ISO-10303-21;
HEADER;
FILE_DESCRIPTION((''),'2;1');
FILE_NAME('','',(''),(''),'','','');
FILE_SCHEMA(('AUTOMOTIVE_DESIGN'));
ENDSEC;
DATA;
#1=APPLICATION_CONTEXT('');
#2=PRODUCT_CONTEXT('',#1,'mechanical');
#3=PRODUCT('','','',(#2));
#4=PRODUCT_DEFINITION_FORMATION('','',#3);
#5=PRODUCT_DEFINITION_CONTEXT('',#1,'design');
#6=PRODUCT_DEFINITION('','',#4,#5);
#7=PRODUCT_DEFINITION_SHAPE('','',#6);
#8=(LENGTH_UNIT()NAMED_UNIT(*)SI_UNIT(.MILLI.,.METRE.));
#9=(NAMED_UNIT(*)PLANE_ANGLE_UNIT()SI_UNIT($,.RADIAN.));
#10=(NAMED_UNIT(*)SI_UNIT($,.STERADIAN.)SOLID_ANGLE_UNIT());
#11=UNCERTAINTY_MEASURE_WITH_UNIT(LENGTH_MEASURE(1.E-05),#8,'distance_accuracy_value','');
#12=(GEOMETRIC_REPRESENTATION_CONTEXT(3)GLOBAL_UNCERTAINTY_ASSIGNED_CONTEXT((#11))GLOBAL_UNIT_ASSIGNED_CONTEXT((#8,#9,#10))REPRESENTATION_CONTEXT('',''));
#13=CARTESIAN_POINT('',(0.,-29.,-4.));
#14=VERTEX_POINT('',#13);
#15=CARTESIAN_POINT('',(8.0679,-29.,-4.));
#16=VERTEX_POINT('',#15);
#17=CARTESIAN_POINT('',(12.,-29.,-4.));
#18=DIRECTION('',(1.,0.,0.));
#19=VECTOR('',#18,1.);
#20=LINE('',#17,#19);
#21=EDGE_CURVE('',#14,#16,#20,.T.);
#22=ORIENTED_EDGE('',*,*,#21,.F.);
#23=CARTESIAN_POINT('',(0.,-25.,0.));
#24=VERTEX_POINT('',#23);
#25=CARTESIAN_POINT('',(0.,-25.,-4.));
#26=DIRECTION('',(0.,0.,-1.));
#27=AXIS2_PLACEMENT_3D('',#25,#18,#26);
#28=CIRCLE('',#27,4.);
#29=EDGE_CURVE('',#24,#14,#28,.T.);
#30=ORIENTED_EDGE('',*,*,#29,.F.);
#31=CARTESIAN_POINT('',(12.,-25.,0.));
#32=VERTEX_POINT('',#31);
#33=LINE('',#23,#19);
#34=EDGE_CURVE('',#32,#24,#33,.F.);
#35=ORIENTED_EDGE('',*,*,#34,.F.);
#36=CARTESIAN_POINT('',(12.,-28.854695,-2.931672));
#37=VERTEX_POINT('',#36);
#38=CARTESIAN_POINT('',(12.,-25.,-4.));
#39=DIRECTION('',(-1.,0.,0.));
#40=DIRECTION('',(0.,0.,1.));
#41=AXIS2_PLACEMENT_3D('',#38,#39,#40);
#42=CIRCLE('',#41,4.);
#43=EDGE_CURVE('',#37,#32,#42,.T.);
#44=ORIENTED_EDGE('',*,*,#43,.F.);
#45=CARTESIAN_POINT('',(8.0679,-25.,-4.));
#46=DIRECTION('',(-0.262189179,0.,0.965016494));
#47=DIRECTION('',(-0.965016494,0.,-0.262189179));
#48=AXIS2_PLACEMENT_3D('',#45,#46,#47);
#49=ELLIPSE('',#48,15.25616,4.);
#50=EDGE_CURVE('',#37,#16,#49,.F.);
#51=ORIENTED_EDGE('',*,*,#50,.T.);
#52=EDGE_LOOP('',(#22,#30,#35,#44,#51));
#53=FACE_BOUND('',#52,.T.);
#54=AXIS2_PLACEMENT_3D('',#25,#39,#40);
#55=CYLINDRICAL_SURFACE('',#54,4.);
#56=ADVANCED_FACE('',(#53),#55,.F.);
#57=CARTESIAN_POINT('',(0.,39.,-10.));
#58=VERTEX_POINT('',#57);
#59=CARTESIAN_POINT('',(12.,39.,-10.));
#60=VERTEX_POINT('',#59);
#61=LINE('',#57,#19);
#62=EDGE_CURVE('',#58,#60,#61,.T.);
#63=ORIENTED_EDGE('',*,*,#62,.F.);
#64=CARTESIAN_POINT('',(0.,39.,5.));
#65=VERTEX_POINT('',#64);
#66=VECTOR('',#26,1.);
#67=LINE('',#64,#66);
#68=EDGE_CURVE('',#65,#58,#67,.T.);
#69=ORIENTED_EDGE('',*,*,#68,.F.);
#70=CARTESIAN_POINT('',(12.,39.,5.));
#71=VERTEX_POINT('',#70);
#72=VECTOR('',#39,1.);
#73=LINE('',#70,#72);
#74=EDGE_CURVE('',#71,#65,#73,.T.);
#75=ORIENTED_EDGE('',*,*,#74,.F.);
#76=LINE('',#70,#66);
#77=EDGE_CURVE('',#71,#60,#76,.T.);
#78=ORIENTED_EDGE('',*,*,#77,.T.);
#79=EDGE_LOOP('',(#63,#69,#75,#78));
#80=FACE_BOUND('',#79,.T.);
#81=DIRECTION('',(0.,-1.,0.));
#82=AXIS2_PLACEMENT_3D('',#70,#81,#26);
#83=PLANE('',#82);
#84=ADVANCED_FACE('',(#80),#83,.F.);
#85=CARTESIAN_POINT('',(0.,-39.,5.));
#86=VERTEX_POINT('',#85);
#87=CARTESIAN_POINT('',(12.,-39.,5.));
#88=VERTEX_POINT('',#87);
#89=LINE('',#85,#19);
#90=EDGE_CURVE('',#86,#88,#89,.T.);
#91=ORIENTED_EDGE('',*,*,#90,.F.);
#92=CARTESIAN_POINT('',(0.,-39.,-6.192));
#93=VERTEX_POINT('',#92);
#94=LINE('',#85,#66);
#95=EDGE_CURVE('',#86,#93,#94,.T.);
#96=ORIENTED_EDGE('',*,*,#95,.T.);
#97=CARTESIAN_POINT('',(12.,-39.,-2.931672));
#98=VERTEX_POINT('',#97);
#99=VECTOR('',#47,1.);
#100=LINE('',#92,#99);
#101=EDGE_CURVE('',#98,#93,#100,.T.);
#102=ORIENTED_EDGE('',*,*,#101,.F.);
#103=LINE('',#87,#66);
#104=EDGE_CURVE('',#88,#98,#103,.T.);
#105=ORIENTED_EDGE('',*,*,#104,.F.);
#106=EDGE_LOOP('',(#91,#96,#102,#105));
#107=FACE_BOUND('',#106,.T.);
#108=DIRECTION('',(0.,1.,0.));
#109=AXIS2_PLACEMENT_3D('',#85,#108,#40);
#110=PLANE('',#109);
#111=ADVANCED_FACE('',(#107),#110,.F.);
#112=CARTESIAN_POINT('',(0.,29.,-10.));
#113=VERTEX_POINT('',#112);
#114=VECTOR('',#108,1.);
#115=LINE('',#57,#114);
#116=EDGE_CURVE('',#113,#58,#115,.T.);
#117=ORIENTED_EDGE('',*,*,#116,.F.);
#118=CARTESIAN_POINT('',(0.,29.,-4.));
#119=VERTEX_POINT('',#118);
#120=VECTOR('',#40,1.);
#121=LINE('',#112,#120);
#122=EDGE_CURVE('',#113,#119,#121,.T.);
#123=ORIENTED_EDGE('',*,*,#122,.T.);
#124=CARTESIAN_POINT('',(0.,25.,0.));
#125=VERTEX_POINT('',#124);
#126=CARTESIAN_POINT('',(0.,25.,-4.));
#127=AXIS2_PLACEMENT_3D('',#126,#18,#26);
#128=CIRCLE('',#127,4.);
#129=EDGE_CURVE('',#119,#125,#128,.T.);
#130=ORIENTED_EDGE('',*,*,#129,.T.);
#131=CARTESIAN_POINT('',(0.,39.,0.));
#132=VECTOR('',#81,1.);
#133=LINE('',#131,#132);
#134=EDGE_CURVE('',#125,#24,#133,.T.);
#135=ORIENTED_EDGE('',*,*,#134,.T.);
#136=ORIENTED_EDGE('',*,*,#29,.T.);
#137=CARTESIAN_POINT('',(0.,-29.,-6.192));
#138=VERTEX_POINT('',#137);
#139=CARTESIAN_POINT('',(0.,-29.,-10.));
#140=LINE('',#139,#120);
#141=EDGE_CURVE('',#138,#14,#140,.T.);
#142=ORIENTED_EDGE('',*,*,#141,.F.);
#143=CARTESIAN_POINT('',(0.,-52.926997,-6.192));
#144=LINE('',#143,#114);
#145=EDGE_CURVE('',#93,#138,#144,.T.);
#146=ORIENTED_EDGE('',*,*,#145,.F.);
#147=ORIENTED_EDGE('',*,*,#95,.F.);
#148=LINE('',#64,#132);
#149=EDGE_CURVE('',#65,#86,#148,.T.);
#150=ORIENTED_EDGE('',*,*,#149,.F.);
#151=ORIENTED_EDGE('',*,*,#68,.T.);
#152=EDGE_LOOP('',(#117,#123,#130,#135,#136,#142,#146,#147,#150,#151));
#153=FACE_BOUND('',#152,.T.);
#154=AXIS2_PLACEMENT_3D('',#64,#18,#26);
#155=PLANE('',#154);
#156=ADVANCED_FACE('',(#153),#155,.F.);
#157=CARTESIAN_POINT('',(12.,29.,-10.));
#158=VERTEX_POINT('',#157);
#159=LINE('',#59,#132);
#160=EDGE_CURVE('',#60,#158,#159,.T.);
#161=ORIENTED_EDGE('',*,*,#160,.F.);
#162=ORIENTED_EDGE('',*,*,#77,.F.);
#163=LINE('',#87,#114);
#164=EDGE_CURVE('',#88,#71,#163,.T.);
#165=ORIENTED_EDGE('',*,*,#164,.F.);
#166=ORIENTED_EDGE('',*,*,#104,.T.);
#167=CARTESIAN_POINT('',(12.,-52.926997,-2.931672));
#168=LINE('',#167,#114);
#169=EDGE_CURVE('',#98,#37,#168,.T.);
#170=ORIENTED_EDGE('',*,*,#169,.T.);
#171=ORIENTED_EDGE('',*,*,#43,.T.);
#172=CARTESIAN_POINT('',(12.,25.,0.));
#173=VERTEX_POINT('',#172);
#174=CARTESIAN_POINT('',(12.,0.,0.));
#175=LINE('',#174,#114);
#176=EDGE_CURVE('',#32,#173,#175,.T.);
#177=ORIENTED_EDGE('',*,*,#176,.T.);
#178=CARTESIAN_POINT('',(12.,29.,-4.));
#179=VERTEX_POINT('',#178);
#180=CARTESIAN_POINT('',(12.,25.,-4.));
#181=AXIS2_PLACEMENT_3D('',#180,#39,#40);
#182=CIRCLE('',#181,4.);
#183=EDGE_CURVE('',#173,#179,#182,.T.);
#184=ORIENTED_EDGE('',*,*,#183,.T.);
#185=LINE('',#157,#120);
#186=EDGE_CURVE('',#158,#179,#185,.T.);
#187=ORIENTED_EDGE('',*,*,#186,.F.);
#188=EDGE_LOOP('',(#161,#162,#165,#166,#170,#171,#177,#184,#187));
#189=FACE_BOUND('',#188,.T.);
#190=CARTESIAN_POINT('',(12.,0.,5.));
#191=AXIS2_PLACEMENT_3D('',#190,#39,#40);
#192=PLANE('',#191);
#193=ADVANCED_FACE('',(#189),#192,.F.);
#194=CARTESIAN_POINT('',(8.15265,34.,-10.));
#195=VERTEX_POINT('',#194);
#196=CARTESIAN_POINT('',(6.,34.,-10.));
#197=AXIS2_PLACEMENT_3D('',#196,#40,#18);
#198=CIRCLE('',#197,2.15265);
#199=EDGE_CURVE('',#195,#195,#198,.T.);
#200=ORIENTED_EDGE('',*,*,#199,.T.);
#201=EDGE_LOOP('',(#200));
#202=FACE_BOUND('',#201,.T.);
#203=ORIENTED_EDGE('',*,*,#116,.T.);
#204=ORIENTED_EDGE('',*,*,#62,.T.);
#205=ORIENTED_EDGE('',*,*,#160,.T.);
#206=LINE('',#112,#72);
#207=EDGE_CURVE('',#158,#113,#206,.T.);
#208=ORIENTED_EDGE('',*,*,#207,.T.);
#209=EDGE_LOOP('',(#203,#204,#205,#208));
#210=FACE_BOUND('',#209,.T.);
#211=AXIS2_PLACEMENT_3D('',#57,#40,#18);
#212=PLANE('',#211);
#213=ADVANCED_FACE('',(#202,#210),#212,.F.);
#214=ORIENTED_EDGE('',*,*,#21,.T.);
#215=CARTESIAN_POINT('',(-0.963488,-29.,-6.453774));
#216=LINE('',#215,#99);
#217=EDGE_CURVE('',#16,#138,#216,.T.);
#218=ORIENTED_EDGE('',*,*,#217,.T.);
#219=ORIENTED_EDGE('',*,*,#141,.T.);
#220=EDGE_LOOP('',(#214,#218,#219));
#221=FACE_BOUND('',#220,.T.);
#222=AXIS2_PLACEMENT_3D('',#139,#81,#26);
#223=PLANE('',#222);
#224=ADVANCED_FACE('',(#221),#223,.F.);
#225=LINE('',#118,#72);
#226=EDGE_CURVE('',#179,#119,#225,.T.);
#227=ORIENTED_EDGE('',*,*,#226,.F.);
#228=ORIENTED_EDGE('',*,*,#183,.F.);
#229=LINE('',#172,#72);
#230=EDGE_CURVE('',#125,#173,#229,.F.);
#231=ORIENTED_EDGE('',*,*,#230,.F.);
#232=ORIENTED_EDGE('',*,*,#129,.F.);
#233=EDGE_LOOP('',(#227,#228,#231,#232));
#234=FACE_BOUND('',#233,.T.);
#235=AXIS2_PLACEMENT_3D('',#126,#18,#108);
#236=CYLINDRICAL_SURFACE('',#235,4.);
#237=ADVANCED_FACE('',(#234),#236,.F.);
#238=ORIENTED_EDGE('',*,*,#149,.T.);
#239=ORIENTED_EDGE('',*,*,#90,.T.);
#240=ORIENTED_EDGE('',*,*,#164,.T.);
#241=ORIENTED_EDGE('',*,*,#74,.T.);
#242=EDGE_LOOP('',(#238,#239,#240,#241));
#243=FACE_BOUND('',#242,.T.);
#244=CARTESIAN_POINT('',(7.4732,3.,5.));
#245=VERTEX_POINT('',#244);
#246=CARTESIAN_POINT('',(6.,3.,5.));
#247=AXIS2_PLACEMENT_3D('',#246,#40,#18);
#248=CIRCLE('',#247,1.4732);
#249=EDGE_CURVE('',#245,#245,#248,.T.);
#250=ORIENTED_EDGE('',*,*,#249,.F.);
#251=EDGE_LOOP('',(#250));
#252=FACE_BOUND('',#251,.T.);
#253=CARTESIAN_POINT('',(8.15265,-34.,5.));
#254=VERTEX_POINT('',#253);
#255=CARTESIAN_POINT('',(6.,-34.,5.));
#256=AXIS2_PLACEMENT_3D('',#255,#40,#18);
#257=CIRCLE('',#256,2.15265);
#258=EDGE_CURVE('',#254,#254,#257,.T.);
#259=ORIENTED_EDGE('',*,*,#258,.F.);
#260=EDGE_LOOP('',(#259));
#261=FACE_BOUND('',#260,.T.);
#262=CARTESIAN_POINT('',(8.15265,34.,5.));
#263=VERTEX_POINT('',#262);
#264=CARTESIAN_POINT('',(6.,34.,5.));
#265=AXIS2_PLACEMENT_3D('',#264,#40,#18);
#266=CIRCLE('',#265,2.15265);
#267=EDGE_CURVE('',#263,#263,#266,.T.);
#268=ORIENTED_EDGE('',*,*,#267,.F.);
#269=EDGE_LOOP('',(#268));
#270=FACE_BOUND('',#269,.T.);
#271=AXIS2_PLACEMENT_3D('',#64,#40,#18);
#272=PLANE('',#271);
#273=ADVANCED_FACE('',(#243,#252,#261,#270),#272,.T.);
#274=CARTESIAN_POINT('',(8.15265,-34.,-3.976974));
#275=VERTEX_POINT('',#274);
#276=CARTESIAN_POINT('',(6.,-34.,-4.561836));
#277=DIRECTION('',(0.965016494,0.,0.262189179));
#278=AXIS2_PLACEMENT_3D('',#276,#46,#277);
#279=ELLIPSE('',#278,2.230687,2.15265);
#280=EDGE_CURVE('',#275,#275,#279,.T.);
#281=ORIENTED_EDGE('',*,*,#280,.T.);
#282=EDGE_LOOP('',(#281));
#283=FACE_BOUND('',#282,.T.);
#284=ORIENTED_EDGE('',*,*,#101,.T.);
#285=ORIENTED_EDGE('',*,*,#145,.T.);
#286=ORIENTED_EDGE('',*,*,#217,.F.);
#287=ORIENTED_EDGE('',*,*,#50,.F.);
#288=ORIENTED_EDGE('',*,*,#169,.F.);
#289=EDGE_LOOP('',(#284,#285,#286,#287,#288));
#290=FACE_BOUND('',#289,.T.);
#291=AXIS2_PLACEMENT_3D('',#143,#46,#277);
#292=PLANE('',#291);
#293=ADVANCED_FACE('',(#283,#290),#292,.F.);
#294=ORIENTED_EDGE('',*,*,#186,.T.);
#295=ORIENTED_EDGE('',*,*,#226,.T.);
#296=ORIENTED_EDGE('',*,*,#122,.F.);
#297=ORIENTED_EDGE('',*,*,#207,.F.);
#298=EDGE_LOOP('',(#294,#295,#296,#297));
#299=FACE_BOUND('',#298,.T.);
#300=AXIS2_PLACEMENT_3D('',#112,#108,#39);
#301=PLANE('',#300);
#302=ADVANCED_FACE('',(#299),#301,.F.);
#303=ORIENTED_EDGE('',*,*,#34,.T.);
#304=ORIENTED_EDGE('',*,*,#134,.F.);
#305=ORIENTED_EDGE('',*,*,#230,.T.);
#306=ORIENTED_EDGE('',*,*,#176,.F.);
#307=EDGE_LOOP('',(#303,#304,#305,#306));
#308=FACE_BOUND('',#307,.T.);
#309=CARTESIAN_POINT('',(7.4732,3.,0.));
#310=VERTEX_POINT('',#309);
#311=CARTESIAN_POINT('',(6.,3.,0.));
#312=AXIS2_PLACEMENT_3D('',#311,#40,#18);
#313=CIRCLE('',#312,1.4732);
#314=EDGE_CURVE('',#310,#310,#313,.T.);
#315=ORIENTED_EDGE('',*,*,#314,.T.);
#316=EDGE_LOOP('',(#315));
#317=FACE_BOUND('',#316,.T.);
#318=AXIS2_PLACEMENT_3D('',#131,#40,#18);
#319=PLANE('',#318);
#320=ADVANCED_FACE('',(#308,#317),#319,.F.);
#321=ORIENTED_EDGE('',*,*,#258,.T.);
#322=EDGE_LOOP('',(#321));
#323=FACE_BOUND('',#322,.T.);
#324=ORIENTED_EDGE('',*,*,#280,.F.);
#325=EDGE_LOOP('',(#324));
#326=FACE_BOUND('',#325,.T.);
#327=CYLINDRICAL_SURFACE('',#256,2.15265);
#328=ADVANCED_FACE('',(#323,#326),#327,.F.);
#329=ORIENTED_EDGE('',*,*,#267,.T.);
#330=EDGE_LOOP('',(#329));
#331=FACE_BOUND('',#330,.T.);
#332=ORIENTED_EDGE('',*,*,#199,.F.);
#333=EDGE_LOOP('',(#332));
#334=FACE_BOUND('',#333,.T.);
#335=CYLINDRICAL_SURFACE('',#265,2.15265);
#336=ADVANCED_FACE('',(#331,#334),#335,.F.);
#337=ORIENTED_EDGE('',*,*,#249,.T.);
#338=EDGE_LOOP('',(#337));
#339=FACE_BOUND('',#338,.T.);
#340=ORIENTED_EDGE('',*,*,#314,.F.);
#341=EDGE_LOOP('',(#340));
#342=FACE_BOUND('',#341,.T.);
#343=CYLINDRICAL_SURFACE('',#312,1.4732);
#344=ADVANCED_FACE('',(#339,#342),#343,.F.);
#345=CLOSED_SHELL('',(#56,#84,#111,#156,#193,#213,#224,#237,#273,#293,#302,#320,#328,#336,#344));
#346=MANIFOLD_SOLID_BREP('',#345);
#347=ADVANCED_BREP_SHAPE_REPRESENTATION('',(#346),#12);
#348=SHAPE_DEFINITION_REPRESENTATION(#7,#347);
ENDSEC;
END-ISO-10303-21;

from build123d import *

# Parameters (mm, degrees)
EXTRUDE1_DEPTH        = 5
SKETCH3_R             = 1.4732
CUT_EXTRUDE2_DEPTH    = 6
SKETCH4_W             = 12
SKETCH4_H             = 10
EXTRUDE2_DEPTH        = 10
FILLET1_R             = 4
CUT_EXTRUDE3_DEPTH    = 39
F_8_CLEARANCE_HOLE1_D = 4.3053


with BuildPart() as part:
    # Sketch1 → Extrude1 (new body)
    with BuildSketch(Plane.XY):
        Polygon((0, 39), (0, -39), (12, -39), (12, 0), (12, 39), align=None)
    extrude(amount=EXTRUDE1_DEPTH)

    # Sketch3 → Cut-Extrude2 (cut, through all)
    with BuildSketch(Plane.XY.offset(5)):
        with Locations((6, 3)):
            Circle(SKETCH3_R)
    extrude(amount=-CUT_EXTRUDE2_DEPTH, mode=Mode.SUBTRACT)

    # Sketch4 → Extrude2 (add)
    with BuildSketch(Plane(origin=(0, 0, 0), x_dir=(-1, 0, 0), z_dir=(0, 0, -1))):
        with Locations((-6, 34)):
            Rectangle(SKETCH4_W, SKETCH4_H)
        with Locations((-6, -34)):
            Rectangle(SKETCH4_W, SKETCH4_H)
    extrude(amount=EXTRUDE2_DEPTH)

    # Fillet1
    fillet1_edges = [part.edges().sort_by_distance(p)[0] for p in [
        (6, -29, 0),
        (6, 29, 0),
    ]]
    fillet(fillet1_edges, radius=FILLET1_R)

    # Sketch5 → Cut-Extrude3 (cut)
    with BuildSketch(Plane(origin=(0, 0, 0), x_dir=(1, 0, 0), z_dir=(0, 1, 0))):
        Polygon((0, 10), (0, 6.192), (12, 2.931672159), (12, 8.784609691), (12, 10), align=None)
    extrude(amount=-CUT_EXTRUDE3_DEPTH, mode=Mode.SUBTRACT)

    # #8 Clearance Hole1 (through all)
    with Locations(Plane(origin=(6, 34, 5), x_dir=(1, 0, 0), z_dir=(0, 0, 1))):
        with Locations((0, 0), (0, -68)):
            Hole(F_8_CLEARANCE_HOLE1_D / 2)


solid = part.part
